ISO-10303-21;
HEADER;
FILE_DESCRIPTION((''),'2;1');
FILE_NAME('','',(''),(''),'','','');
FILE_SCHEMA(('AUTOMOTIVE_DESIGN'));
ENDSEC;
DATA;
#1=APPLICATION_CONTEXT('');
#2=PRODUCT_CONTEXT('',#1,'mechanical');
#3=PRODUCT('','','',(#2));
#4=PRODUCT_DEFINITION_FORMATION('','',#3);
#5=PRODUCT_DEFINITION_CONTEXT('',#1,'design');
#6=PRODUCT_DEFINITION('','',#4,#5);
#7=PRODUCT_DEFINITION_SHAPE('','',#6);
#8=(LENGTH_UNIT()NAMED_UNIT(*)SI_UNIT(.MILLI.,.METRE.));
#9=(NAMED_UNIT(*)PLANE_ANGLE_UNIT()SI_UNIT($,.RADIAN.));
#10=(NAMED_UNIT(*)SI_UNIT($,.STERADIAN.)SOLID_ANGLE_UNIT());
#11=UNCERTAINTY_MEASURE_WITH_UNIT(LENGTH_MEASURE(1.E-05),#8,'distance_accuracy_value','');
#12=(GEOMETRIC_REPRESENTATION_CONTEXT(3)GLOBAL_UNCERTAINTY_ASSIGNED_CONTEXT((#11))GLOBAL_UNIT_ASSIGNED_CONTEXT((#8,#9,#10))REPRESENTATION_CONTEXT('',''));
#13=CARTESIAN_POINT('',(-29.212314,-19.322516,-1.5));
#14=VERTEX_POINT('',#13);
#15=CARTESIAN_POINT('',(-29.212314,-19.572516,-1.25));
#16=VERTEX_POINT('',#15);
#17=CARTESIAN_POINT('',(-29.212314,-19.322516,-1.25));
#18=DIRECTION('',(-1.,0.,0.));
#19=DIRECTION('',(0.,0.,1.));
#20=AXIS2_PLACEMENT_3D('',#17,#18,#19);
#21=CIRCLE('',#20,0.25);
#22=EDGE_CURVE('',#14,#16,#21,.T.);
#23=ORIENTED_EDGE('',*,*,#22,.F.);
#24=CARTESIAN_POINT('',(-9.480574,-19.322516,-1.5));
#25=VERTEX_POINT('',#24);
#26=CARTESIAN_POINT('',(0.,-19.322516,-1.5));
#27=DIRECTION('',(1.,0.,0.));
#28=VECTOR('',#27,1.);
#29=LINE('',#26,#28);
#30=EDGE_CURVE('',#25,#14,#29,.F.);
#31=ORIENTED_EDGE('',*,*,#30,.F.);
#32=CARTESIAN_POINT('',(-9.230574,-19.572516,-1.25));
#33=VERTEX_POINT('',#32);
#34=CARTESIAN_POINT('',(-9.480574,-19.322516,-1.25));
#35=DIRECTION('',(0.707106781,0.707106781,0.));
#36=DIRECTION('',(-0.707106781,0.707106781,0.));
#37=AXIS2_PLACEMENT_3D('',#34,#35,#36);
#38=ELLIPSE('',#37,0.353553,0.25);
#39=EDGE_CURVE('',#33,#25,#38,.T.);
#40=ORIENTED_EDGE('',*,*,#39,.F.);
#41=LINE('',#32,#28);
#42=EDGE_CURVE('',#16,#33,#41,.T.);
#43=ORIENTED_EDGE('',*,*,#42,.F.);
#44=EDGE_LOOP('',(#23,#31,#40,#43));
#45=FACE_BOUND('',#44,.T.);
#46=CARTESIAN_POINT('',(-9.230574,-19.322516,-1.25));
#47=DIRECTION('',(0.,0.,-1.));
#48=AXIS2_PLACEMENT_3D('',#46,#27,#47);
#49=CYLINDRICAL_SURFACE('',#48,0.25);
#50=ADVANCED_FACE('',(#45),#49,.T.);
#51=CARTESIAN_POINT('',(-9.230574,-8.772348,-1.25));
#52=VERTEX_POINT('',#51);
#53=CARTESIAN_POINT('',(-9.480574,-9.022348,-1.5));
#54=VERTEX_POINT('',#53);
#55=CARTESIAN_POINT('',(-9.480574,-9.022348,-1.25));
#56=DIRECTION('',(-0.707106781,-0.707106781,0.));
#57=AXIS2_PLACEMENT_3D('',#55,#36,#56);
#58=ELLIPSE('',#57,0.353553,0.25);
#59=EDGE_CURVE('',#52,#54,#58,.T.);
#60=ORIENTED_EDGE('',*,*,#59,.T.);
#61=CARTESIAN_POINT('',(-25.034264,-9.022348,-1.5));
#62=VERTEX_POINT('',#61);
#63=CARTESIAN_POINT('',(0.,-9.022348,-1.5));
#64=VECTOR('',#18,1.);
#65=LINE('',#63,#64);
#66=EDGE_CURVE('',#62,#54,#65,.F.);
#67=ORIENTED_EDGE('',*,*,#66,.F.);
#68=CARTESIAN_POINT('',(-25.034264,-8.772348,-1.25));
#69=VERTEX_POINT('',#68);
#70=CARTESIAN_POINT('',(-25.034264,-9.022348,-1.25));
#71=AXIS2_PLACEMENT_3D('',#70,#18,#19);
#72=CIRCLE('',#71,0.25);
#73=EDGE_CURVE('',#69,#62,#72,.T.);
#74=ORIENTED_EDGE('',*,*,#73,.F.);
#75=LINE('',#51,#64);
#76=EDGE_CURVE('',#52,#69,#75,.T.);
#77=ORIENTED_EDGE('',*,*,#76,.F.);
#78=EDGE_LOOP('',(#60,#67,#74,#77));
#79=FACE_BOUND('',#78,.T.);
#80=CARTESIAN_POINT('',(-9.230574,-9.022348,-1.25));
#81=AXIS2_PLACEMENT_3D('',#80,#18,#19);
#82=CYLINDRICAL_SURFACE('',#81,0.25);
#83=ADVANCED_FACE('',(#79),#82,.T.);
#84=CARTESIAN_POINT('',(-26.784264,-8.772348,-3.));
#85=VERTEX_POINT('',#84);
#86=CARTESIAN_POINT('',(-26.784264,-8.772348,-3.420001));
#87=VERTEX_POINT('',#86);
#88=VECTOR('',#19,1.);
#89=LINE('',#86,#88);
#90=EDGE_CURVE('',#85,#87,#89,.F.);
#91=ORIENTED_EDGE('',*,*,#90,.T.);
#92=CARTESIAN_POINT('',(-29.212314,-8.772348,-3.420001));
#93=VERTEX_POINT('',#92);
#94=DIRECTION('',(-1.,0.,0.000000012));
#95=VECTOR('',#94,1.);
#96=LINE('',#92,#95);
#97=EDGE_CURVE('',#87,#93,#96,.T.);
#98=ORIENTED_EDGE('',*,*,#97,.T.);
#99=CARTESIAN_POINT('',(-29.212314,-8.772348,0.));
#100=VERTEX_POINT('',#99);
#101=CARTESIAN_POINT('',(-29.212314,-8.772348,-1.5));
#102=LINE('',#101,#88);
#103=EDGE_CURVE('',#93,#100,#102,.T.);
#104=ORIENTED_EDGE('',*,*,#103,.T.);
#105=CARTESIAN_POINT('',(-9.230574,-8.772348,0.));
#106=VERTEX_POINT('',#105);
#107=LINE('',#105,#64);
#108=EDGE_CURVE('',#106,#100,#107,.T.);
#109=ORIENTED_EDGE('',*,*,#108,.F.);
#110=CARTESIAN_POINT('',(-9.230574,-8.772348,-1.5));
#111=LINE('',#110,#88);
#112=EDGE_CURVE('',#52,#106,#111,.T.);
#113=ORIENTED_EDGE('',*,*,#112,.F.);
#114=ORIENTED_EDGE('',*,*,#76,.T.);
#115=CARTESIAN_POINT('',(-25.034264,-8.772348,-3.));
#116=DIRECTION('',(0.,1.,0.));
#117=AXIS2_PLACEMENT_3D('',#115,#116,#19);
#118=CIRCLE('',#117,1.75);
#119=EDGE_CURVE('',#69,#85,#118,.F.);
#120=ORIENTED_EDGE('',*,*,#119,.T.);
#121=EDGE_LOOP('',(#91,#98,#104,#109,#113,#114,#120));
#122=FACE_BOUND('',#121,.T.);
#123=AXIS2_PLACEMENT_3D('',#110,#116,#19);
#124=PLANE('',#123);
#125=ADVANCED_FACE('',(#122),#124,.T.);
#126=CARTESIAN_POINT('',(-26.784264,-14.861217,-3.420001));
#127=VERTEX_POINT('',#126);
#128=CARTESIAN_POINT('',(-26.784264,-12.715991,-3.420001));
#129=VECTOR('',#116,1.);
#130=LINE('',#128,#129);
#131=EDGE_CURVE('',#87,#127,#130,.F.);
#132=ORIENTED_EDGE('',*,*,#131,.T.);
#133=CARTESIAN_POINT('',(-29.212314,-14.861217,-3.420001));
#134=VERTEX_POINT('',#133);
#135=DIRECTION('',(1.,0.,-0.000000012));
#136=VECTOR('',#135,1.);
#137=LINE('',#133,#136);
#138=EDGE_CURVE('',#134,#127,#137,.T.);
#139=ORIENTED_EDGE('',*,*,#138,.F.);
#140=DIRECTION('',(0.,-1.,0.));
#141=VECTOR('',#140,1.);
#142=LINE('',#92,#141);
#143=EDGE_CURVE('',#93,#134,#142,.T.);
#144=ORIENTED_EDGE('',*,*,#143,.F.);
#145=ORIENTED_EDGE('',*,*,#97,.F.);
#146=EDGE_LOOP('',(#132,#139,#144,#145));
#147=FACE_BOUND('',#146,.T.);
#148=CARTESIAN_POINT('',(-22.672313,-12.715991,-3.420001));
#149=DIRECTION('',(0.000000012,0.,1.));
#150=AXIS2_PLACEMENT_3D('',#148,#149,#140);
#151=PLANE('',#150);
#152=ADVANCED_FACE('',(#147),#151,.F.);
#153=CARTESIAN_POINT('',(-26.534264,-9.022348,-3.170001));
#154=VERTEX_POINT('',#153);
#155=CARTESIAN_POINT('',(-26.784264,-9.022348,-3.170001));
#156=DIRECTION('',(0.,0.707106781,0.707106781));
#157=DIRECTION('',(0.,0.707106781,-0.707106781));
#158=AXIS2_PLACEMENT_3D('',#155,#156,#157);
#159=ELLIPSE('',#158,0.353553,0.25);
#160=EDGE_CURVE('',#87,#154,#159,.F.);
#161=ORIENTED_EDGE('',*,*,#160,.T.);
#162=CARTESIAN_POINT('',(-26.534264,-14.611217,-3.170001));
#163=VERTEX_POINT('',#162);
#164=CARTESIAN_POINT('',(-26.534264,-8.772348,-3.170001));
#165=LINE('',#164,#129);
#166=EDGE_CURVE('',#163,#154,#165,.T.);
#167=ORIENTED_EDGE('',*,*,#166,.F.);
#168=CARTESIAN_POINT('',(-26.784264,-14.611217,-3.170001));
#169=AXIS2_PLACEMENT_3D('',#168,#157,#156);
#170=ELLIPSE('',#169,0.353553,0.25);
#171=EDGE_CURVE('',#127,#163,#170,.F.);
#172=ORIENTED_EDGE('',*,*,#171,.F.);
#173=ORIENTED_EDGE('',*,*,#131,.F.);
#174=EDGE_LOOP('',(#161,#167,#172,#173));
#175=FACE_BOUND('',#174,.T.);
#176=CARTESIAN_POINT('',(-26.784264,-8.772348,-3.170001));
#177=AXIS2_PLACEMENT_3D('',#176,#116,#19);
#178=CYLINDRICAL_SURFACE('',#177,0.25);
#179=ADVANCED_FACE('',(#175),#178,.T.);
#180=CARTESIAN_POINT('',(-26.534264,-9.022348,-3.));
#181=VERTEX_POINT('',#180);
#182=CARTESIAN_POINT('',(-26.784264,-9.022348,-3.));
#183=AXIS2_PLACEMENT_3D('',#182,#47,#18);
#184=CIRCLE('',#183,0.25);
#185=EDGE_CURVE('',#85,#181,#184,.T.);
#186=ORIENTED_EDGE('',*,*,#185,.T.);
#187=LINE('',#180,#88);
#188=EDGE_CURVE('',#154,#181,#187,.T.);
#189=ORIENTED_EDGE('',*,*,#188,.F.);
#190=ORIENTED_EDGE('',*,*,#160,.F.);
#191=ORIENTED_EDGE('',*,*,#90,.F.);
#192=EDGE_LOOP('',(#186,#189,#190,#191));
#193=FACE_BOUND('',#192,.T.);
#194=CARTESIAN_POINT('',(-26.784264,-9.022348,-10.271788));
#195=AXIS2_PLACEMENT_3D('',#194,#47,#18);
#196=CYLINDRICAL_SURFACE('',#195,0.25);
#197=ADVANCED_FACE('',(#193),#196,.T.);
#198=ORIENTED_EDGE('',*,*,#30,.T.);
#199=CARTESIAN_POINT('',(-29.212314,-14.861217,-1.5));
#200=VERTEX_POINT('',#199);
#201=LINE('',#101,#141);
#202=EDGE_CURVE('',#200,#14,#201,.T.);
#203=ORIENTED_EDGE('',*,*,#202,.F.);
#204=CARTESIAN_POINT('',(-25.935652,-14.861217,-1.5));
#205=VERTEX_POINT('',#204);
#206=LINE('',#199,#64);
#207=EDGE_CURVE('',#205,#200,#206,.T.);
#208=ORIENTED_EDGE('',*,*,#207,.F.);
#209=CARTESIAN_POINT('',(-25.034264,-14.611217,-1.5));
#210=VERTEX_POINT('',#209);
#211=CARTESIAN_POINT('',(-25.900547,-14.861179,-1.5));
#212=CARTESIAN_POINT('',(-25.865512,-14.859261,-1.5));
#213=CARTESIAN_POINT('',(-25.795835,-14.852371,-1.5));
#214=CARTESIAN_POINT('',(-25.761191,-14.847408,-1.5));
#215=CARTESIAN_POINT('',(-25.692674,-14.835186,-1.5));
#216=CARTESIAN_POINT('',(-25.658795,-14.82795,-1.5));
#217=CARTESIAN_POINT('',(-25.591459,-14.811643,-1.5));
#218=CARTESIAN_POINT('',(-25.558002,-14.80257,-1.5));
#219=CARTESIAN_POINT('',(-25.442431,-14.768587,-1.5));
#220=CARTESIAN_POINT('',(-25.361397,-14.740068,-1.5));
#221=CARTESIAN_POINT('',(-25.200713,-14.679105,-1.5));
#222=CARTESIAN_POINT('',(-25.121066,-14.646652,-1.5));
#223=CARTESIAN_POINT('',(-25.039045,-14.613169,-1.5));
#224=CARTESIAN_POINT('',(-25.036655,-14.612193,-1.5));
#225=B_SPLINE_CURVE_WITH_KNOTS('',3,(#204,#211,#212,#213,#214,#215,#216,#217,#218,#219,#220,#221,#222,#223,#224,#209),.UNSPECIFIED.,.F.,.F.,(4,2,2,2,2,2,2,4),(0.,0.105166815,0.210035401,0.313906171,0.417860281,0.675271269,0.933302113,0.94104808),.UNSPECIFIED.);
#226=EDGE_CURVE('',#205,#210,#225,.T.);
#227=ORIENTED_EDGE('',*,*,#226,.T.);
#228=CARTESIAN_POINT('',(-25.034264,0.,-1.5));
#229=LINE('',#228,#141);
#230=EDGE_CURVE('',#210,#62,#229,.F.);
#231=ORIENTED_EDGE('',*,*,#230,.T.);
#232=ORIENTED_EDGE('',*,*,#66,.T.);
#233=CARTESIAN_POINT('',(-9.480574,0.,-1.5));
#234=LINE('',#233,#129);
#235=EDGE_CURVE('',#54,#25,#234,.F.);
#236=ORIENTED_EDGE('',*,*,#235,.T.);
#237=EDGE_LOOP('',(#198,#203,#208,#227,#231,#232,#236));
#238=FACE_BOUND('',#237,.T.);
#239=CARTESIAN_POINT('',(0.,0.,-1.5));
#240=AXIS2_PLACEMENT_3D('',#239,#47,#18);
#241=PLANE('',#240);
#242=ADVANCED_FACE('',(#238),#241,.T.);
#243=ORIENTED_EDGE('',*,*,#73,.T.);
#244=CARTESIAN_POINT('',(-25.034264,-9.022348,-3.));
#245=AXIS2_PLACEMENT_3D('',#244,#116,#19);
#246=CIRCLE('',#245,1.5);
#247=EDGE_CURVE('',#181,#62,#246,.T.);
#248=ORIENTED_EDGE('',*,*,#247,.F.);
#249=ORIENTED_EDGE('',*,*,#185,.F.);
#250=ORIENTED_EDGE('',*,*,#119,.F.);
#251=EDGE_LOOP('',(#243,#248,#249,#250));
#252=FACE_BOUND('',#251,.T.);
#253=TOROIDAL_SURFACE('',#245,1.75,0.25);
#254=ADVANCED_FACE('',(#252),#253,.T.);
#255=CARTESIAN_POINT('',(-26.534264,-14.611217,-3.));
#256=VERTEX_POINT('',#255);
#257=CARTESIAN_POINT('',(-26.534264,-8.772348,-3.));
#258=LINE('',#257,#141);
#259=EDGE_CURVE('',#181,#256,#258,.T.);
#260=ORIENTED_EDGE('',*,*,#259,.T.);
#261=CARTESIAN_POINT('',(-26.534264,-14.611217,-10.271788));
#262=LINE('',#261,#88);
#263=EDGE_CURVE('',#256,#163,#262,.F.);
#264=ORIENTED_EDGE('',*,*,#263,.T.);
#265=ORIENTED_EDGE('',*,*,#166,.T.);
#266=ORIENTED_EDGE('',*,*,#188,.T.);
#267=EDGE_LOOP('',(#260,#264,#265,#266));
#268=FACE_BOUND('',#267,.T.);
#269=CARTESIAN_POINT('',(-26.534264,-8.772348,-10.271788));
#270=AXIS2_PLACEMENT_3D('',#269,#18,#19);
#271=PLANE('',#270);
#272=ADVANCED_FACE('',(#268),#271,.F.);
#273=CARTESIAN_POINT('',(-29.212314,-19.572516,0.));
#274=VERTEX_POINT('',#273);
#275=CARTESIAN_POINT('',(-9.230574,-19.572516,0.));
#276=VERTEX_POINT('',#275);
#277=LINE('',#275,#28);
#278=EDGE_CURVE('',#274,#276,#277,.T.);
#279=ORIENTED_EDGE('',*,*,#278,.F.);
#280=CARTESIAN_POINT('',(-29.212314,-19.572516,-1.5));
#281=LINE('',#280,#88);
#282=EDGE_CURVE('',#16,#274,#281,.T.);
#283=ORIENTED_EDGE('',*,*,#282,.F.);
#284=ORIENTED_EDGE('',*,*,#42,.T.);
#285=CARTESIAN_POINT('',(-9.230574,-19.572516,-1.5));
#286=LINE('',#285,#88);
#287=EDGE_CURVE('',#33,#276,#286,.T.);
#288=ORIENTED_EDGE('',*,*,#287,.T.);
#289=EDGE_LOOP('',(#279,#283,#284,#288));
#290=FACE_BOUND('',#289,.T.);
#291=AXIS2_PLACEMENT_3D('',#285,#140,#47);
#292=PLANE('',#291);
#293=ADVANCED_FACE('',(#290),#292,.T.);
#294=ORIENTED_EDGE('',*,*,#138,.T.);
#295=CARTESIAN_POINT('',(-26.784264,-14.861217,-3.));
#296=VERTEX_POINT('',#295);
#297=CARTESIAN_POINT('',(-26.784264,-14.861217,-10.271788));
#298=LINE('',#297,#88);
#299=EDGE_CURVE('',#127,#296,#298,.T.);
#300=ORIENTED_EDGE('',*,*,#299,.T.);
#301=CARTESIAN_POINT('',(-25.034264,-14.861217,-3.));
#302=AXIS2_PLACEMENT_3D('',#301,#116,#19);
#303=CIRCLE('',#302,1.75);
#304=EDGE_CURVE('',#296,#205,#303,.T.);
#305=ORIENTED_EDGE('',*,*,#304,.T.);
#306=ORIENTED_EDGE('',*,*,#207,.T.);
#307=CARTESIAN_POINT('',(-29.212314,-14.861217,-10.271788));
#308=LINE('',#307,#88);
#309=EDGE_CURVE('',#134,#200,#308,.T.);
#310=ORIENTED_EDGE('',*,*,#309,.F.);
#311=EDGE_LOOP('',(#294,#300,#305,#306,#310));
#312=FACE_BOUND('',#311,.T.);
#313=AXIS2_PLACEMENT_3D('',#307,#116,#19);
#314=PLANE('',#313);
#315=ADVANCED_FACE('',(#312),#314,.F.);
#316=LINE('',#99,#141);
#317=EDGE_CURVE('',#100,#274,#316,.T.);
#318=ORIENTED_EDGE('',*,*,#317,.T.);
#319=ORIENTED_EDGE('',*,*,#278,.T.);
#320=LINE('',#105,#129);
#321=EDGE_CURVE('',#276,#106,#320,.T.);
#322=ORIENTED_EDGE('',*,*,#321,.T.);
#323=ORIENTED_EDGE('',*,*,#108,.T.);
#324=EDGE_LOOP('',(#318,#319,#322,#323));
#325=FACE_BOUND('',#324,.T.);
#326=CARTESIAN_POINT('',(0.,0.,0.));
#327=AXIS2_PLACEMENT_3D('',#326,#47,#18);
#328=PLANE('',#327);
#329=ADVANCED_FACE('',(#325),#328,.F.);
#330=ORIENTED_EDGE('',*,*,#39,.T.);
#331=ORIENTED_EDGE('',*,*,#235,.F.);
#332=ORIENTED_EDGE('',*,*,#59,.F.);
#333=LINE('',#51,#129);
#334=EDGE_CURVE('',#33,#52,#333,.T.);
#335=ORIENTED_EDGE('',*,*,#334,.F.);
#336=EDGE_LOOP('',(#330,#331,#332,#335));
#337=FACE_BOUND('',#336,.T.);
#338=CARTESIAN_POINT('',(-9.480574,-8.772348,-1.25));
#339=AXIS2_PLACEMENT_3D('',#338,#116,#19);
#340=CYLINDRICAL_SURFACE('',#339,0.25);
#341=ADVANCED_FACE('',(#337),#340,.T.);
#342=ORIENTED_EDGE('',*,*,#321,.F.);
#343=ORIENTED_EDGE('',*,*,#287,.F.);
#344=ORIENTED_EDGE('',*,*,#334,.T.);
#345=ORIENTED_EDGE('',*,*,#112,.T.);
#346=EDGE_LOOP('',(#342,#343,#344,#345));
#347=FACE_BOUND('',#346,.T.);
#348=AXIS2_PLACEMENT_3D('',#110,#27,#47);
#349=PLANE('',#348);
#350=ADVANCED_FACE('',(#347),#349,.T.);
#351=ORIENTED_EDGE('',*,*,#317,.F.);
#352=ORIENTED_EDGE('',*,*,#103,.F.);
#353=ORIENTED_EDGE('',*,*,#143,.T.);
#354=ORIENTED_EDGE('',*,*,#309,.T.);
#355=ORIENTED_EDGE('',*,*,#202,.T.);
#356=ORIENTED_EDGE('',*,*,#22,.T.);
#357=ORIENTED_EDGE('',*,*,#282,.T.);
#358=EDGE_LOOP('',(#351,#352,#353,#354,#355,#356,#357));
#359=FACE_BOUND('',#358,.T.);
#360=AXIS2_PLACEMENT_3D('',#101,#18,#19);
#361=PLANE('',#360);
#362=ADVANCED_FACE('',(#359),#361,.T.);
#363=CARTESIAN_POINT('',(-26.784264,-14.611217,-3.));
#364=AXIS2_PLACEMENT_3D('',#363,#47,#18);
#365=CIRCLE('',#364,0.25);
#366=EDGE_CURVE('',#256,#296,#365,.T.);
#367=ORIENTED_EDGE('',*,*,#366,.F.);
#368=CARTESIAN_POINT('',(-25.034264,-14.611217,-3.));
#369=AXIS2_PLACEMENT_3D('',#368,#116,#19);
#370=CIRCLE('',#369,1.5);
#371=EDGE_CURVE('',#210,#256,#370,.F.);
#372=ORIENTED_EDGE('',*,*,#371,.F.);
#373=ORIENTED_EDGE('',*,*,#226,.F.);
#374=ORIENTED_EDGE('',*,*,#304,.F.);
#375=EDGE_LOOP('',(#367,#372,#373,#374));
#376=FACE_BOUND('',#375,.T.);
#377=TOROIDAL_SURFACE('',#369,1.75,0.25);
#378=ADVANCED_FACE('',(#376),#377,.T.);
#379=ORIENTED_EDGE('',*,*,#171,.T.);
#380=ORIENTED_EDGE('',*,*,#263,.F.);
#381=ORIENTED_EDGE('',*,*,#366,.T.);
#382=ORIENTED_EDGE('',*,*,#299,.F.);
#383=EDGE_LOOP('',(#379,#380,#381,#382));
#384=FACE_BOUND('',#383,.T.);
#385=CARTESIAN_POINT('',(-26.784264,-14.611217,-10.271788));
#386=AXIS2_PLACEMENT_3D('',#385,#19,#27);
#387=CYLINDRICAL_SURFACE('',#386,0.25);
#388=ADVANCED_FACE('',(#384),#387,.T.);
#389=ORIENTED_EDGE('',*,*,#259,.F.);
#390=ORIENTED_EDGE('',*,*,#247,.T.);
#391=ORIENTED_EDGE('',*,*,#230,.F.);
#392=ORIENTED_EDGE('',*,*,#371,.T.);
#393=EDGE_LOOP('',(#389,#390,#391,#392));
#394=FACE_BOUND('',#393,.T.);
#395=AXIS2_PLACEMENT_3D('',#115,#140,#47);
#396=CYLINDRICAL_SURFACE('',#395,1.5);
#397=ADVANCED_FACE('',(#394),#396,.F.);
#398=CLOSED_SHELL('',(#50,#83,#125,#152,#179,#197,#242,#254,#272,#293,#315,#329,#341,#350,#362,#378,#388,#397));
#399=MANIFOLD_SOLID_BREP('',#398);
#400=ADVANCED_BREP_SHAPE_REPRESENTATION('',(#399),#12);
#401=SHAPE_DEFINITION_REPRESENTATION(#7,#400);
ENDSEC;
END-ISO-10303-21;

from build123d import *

# Parameters (mm, degrees)
SKETCH1_W           = 19.981739869
SKETCH1_H           = 10.800167474
BOSS_EXTRUDE1_DEPTH = 1.5
SKETCH3_W           = 2.678049678
SKETCH3_H           = 6.088868787
BOSS_EXTRUDE2_DEPTH = 1.920000865
FILLET1_R           = 1.5
FILLET2_R           = 0.25


with BuildPart() as part:
    # Sketch1 → Boss-Extrude1 (new body)
    with BuildSketch(Plane.XY):
        with Locations((-19.22144379, -14.172432084)):
            Rectangle(SKETCH1_W, SKETCH1_H)
    extrude(amount=-BOSS_EXTRUDE1_DEPTH)

    # Sketch3 → Boss-Extrude2 (add)
    with BuildSketch(Plane(origin=(0, 0, -1.5), x_dir=(-1, 0, 0), z_dir=(0, 0, -1))):
        with Locations((27.873288885, -11.816782741)):
            Rectangle(SKETCH3_W, SKETCH3_H)
    extrude(amount=BOSS_EXTRUDE2_DEPTH)

    # Fillet1
    fillet1_edges = [part.edges().sort_by_distance(p)[0] for p in [
        (-26.534264046, -11.81678274, -1.5),
    ]]
    fillet(fillet1_edges, radius=FILLET1_R)

    # Fillet2
    fillet2_edges = [part.edges().sort_by_distance(p)[0] for p in [
        (-26.534264046, -14.861217134, -3.210000433),
        (-26.534264046, -11.81678274, -3.420000865),
        (-26.534264046, -8.772348347, -3.210000433),
        (-19.221443789, -19.572515821, -1.5),
        (-26.094924218, -14.861217134, -1.939339828),
        (-26.094924218, -8.772348347, -1.939339828),
        (-9.230573855, -14.172432084, -1.5),
        (-17.13241895, -8.772348347, -1.5),
    ]]
    fillet(fillet2_edges, radius=FILLET2_R)


solid = part.part
